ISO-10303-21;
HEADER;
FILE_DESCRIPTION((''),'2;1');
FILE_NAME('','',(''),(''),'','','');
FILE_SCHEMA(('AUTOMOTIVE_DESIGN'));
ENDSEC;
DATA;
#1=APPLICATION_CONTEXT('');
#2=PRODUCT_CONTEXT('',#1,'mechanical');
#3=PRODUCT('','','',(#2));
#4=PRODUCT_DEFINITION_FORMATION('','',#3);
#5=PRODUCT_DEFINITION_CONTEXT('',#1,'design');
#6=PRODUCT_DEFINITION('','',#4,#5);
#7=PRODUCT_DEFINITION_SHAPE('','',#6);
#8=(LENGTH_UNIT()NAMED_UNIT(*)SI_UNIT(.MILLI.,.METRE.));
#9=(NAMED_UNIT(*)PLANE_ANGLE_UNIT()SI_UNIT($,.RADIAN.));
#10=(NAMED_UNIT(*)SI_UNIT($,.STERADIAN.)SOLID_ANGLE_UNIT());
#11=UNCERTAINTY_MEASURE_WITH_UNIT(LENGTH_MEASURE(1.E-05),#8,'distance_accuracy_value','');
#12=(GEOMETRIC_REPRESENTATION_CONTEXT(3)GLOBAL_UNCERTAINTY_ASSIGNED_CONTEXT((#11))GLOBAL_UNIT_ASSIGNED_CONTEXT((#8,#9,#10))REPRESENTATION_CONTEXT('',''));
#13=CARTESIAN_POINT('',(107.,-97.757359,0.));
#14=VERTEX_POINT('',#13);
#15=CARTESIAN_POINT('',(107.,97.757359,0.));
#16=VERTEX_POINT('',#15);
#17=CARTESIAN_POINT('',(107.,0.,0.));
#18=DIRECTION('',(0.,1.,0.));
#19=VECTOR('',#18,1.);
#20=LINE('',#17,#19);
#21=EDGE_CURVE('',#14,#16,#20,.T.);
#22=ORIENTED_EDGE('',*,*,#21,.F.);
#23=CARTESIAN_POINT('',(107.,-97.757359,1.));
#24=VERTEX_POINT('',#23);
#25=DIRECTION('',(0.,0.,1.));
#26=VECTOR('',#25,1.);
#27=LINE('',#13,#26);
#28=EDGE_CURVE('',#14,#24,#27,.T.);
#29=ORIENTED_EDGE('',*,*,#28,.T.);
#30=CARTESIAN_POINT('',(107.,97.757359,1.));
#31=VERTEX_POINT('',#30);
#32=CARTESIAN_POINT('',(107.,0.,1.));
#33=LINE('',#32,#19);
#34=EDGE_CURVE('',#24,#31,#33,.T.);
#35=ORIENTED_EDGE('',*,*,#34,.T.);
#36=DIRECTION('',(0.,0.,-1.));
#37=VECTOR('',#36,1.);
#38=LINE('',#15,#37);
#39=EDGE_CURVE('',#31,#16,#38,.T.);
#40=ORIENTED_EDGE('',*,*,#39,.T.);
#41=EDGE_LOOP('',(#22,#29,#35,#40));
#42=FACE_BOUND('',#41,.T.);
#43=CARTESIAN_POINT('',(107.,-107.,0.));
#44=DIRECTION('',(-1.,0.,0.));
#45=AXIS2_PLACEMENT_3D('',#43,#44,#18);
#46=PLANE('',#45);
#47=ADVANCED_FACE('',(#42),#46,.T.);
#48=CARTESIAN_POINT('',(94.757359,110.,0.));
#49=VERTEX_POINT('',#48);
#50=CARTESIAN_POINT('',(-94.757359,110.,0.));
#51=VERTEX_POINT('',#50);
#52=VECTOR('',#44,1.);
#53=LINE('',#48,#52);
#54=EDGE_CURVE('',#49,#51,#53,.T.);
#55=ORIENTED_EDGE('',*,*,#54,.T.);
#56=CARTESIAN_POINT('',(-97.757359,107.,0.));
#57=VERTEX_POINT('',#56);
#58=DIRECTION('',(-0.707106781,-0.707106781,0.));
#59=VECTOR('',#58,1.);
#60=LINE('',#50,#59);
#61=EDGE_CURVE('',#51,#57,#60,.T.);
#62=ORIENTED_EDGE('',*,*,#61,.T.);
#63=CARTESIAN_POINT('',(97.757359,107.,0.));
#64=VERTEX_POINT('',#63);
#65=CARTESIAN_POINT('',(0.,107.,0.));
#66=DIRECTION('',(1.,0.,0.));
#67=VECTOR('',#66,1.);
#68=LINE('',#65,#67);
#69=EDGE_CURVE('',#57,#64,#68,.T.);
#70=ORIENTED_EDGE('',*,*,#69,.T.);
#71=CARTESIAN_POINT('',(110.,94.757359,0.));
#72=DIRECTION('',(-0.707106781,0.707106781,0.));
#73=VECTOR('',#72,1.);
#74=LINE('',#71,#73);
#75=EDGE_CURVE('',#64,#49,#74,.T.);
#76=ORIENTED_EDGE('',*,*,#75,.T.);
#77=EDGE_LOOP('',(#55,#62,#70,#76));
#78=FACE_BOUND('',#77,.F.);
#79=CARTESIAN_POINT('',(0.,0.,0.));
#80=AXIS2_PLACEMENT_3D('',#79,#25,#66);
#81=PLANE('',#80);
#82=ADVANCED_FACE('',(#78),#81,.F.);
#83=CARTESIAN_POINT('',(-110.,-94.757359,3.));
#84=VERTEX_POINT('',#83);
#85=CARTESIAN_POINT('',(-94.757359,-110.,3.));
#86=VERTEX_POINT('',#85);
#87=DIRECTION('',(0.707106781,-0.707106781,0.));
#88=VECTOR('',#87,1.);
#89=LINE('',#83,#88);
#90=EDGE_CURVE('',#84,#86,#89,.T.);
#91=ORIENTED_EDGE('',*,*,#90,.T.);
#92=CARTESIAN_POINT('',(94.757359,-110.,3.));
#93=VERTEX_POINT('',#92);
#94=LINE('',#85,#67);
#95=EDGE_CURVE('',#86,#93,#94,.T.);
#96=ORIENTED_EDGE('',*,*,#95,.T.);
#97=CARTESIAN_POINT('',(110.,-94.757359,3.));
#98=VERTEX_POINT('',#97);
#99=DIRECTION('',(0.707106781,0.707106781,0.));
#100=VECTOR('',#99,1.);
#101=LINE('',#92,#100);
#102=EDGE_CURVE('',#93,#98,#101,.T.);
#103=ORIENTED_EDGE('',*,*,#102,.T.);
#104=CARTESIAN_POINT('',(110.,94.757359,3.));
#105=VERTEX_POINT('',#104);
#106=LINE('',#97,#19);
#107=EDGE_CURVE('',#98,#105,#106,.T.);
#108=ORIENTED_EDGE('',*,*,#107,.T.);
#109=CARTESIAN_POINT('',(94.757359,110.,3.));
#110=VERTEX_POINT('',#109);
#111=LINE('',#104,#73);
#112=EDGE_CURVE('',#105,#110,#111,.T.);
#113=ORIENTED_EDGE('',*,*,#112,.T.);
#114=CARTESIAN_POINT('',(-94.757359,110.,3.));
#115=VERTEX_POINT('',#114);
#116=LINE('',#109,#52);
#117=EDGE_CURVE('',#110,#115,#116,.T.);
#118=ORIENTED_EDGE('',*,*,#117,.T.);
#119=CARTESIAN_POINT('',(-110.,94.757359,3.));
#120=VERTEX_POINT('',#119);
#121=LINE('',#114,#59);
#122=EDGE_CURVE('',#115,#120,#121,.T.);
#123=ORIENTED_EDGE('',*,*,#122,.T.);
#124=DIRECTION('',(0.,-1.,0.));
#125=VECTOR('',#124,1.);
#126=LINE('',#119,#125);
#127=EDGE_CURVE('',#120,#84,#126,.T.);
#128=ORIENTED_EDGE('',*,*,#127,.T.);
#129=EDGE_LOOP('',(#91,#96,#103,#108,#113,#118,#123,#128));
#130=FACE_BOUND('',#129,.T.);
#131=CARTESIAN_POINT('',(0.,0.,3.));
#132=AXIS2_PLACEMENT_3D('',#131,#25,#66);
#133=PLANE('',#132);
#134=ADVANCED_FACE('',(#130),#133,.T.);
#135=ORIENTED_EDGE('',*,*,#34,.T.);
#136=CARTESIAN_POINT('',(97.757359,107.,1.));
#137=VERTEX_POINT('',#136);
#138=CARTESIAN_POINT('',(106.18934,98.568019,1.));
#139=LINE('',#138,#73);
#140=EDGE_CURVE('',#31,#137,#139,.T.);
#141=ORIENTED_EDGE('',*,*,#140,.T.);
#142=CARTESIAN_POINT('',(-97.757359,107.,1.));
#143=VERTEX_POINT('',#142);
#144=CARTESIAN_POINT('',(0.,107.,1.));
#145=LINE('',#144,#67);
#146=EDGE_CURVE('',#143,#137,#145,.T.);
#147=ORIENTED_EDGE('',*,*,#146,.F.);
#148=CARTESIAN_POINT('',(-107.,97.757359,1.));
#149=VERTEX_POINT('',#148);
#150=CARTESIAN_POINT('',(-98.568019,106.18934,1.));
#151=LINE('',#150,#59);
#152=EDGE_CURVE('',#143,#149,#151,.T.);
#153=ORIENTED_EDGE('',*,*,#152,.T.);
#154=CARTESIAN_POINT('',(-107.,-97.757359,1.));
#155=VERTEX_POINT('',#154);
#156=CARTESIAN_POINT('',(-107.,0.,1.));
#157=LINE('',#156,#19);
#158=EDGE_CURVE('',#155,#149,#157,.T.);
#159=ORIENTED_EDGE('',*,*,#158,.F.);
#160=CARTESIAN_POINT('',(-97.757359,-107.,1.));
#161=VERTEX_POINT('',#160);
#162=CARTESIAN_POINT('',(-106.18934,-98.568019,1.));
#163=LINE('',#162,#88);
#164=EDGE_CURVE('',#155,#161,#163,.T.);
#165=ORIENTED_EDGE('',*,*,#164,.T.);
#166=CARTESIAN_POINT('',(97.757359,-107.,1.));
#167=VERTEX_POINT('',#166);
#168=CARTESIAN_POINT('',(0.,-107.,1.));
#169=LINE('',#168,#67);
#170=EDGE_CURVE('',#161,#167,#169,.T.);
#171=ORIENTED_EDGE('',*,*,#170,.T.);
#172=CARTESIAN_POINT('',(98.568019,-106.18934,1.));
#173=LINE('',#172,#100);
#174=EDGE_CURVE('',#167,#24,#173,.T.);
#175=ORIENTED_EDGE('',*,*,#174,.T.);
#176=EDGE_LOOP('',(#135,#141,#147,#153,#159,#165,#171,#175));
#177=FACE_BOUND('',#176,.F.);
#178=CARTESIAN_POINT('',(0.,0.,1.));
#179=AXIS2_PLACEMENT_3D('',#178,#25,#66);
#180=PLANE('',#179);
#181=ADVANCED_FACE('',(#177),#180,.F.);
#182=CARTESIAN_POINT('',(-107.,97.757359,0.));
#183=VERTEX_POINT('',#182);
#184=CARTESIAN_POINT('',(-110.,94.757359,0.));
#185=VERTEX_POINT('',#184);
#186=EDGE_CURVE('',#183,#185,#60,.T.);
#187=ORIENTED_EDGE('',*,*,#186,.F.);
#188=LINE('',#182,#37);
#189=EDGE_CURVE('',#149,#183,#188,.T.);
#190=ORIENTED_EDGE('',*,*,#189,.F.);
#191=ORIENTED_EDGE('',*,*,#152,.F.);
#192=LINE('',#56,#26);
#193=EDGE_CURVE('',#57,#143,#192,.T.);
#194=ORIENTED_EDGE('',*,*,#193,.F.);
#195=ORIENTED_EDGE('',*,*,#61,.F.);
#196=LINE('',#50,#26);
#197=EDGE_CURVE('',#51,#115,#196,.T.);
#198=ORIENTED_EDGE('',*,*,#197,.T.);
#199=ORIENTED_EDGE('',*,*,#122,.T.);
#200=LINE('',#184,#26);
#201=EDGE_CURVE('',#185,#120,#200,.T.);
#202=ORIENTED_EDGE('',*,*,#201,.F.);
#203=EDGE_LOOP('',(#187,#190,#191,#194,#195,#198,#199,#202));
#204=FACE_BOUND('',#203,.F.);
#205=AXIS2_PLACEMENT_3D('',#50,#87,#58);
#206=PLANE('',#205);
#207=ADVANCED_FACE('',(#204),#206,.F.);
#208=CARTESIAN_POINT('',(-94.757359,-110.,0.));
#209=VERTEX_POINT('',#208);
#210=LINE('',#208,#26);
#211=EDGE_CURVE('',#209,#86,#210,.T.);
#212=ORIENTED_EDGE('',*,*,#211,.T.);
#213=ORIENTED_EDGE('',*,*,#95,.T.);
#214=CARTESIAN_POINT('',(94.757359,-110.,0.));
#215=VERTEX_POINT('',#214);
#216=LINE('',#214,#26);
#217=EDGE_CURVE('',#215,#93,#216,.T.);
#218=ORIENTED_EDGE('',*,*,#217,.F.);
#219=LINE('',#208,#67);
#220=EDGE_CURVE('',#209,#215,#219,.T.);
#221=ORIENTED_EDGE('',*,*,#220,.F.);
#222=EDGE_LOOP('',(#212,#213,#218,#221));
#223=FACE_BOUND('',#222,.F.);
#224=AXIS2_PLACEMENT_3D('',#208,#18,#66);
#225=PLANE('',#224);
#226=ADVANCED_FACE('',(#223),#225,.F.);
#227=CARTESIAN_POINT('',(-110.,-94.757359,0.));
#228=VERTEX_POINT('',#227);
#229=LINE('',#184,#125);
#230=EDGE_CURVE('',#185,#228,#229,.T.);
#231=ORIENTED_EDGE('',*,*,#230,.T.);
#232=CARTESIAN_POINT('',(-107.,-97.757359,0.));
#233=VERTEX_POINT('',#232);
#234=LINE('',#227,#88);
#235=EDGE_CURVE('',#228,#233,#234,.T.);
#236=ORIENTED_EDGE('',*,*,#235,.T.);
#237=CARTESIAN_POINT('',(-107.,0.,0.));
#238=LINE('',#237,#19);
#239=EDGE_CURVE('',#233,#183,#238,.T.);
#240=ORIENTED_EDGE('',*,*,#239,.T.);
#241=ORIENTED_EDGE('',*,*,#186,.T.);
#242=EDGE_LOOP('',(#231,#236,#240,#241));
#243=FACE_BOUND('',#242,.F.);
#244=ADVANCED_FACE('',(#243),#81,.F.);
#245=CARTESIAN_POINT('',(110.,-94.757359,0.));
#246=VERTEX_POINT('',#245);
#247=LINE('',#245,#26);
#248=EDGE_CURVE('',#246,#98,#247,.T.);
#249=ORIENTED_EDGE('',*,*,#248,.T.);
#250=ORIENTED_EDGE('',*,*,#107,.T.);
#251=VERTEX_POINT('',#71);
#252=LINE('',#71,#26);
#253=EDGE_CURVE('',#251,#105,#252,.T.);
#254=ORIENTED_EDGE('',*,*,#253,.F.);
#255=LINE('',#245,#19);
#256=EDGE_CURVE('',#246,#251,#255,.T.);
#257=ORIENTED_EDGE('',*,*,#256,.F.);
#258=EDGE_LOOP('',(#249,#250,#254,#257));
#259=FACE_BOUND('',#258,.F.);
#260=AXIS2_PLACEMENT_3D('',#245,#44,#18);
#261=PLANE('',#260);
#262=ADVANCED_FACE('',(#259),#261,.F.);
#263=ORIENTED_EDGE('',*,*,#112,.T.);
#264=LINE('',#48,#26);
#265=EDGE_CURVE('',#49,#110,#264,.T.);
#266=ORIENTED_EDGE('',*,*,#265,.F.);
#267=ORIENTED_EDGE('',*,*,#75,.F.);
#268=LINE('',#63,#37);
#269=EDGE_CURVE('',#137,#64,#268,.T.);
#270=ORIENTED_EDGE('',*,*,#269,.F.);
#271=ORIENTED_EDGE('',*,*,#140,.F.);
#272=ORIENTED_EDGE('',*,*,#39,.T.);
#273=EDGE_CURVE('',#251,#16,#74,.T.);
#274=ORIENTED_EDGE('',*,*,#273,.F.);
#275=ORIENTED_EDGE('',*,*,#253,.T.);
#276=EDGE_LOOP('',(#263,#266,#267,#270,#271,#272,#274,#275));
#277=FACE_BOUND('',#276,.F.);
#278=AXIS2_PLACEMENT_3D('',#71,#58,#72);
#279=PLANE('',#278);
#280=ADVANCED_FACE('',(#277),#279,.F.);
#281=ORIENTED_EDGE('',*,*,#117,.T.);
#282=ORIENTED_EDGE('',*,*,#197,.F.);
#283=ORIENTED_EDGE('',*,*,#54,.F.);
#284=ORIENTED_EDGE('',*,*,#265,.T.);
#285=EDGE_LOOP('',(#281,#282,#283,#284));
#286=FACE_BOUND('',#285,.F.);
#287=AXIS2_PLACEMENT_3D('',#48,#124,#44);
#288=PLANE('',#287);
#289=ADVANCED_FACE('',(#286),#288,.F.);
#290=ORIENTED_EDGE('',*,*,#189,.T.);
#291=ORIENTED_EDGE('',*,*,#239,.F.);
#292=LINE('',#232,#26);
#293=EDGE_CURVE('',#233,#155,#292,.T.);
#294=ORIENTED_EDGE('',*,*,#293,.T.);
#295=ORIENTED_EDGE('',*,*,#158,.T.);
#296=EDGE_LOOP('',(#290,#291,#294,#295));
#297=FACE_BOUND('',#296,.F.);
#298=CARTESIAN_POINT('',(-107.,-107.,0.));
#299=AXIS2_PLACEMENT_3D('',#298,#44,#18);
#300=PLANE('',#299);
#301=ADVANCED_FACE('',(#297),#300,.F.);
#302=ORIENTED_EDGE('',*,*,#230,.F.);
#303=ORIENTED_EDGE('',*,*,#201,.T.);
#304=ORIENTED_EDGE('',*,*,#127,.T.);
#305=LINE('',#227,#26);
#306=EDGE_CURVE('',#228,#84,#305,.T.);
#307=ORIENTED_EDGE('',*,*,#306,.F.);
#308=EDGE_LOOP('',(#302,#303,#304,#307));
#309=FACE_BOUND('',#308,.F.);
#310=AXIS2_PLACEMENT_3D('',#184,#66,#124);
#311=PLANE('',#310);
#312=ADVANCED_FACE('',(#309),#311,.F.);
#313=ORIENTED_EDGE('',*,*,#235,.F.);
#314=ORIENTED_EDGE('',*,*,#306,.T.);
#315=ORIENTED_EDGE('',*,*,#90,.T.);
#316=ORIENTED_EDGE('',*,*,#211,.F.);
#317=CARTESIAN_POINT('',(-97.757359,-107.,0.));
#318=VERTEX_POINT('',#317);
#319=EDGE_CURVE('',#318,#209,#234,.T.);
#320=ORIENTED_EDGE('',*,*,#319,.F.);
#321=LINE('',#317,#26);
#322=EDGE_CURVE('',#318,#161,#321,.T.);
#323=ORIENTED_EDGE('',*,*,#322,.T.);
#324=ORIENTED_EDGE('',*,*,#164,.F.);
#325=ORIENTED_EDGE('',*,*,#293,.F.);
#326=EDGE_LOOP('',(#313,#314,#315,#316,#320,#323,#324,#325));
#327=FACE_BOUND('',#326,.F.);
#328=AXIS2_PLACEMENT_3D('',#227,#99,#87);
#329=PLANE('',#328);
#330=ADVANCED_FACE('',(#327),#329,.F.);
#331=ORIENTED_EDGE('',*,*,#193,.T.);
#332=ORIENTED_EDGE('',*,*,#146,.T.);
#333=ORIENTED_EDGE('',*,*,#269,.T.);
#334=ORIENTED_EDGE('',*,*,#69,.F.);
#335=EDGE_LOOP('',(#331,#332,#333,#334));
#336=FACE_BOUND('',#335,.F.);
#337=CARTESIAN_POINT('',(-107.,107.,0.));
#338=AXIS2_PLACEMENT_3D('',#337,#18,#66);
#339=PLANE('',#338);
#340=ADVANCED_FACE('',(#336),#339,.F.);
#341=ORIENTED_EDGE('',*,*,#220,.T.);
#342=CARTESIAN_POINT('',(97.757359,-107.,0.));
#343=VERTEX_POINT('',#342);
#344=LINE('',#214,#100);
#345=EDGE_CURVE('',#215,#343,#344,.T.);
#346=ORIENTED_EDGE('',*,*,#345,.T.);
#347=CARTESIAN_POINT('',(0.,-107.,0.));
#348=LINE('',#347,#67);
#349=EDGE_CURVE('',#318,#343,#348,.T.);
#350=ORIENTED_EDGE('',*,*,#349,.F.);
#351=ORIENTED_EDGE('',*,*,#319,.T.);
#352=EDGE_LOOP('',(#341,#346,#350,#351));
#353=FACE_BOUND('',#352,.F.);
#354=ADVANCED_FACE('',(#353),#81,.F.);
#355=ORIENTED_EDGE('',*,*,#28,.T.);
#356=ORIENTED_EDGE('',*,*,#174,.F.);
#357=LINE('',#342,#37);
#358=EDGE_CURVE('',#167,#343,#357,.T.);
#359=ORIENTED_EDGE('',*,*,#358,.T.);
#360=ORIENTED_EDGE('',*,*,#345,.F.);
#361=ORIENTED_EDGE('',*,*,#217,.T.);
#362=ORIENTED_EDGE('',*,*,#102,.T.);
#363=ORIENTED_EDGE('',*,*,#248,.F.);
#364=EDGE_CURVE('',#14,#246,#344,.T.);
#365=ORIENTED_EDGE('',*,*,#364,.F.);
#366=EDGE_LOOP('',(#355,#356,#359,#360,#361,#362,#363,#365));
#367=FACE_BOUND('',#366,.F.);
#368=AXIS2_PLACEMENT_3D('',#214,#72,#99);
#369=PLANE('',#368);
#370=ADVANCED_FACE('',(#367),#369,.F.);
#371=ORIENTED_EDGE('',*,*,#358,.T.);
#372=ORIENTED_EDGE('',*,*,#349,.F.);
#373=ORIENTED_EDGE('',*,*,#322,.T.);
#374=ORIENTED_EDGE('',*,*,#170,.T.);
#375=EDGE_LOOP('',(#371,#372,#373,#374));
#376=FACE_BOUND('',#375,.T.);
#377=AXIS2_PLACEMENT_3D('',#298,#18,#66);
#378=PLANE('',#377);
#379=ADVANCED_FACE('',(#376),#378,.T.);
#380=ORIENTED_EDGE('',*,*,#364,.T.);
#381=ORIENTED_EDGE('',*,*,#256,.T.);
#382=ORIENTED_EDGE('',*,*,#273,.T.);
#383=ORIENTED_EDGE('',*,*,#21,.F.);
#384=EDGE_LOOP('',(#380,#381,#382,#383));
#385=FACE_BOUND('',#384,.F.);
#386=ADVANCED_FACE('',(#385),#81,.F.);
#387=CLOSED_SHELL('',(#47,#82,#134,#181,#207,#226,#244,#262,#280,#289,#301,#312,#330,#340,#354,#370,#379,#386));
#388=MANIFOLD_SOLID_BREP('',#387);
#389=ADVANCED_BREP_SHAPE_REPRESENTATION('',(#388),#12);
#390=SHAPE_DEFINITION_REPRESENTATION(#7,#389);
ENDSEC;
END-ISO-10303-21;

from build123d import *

# Parameters (mm, degrees)
F1_DEPTH = 3
F2_W     = 214
F2_H     = 214
F3_DEPTH = 1


with BuildPart() as f1:
    # F0 (on Top) → F1 (new body)
    with BuildSketch(Plane.XY):
        Polygon((-110, -94.757359), (-94.757359, -110), (94.757359, -110), (110, -94.757359), (110, 94.757359), (94.757359, 110), (-94.757359, 110), (-110, 94.757359), align=None)
    extrude(amount=F1_DEPTH)

    # F2 (on Top) → F3 (cut)
    with BuildSketch(Plane.XY):
        Rectangle(F2_W, F2_H)
    extrude(amount=F3_DEPTH, mode=Mode.SUBTRACT)


solid = f1.part
